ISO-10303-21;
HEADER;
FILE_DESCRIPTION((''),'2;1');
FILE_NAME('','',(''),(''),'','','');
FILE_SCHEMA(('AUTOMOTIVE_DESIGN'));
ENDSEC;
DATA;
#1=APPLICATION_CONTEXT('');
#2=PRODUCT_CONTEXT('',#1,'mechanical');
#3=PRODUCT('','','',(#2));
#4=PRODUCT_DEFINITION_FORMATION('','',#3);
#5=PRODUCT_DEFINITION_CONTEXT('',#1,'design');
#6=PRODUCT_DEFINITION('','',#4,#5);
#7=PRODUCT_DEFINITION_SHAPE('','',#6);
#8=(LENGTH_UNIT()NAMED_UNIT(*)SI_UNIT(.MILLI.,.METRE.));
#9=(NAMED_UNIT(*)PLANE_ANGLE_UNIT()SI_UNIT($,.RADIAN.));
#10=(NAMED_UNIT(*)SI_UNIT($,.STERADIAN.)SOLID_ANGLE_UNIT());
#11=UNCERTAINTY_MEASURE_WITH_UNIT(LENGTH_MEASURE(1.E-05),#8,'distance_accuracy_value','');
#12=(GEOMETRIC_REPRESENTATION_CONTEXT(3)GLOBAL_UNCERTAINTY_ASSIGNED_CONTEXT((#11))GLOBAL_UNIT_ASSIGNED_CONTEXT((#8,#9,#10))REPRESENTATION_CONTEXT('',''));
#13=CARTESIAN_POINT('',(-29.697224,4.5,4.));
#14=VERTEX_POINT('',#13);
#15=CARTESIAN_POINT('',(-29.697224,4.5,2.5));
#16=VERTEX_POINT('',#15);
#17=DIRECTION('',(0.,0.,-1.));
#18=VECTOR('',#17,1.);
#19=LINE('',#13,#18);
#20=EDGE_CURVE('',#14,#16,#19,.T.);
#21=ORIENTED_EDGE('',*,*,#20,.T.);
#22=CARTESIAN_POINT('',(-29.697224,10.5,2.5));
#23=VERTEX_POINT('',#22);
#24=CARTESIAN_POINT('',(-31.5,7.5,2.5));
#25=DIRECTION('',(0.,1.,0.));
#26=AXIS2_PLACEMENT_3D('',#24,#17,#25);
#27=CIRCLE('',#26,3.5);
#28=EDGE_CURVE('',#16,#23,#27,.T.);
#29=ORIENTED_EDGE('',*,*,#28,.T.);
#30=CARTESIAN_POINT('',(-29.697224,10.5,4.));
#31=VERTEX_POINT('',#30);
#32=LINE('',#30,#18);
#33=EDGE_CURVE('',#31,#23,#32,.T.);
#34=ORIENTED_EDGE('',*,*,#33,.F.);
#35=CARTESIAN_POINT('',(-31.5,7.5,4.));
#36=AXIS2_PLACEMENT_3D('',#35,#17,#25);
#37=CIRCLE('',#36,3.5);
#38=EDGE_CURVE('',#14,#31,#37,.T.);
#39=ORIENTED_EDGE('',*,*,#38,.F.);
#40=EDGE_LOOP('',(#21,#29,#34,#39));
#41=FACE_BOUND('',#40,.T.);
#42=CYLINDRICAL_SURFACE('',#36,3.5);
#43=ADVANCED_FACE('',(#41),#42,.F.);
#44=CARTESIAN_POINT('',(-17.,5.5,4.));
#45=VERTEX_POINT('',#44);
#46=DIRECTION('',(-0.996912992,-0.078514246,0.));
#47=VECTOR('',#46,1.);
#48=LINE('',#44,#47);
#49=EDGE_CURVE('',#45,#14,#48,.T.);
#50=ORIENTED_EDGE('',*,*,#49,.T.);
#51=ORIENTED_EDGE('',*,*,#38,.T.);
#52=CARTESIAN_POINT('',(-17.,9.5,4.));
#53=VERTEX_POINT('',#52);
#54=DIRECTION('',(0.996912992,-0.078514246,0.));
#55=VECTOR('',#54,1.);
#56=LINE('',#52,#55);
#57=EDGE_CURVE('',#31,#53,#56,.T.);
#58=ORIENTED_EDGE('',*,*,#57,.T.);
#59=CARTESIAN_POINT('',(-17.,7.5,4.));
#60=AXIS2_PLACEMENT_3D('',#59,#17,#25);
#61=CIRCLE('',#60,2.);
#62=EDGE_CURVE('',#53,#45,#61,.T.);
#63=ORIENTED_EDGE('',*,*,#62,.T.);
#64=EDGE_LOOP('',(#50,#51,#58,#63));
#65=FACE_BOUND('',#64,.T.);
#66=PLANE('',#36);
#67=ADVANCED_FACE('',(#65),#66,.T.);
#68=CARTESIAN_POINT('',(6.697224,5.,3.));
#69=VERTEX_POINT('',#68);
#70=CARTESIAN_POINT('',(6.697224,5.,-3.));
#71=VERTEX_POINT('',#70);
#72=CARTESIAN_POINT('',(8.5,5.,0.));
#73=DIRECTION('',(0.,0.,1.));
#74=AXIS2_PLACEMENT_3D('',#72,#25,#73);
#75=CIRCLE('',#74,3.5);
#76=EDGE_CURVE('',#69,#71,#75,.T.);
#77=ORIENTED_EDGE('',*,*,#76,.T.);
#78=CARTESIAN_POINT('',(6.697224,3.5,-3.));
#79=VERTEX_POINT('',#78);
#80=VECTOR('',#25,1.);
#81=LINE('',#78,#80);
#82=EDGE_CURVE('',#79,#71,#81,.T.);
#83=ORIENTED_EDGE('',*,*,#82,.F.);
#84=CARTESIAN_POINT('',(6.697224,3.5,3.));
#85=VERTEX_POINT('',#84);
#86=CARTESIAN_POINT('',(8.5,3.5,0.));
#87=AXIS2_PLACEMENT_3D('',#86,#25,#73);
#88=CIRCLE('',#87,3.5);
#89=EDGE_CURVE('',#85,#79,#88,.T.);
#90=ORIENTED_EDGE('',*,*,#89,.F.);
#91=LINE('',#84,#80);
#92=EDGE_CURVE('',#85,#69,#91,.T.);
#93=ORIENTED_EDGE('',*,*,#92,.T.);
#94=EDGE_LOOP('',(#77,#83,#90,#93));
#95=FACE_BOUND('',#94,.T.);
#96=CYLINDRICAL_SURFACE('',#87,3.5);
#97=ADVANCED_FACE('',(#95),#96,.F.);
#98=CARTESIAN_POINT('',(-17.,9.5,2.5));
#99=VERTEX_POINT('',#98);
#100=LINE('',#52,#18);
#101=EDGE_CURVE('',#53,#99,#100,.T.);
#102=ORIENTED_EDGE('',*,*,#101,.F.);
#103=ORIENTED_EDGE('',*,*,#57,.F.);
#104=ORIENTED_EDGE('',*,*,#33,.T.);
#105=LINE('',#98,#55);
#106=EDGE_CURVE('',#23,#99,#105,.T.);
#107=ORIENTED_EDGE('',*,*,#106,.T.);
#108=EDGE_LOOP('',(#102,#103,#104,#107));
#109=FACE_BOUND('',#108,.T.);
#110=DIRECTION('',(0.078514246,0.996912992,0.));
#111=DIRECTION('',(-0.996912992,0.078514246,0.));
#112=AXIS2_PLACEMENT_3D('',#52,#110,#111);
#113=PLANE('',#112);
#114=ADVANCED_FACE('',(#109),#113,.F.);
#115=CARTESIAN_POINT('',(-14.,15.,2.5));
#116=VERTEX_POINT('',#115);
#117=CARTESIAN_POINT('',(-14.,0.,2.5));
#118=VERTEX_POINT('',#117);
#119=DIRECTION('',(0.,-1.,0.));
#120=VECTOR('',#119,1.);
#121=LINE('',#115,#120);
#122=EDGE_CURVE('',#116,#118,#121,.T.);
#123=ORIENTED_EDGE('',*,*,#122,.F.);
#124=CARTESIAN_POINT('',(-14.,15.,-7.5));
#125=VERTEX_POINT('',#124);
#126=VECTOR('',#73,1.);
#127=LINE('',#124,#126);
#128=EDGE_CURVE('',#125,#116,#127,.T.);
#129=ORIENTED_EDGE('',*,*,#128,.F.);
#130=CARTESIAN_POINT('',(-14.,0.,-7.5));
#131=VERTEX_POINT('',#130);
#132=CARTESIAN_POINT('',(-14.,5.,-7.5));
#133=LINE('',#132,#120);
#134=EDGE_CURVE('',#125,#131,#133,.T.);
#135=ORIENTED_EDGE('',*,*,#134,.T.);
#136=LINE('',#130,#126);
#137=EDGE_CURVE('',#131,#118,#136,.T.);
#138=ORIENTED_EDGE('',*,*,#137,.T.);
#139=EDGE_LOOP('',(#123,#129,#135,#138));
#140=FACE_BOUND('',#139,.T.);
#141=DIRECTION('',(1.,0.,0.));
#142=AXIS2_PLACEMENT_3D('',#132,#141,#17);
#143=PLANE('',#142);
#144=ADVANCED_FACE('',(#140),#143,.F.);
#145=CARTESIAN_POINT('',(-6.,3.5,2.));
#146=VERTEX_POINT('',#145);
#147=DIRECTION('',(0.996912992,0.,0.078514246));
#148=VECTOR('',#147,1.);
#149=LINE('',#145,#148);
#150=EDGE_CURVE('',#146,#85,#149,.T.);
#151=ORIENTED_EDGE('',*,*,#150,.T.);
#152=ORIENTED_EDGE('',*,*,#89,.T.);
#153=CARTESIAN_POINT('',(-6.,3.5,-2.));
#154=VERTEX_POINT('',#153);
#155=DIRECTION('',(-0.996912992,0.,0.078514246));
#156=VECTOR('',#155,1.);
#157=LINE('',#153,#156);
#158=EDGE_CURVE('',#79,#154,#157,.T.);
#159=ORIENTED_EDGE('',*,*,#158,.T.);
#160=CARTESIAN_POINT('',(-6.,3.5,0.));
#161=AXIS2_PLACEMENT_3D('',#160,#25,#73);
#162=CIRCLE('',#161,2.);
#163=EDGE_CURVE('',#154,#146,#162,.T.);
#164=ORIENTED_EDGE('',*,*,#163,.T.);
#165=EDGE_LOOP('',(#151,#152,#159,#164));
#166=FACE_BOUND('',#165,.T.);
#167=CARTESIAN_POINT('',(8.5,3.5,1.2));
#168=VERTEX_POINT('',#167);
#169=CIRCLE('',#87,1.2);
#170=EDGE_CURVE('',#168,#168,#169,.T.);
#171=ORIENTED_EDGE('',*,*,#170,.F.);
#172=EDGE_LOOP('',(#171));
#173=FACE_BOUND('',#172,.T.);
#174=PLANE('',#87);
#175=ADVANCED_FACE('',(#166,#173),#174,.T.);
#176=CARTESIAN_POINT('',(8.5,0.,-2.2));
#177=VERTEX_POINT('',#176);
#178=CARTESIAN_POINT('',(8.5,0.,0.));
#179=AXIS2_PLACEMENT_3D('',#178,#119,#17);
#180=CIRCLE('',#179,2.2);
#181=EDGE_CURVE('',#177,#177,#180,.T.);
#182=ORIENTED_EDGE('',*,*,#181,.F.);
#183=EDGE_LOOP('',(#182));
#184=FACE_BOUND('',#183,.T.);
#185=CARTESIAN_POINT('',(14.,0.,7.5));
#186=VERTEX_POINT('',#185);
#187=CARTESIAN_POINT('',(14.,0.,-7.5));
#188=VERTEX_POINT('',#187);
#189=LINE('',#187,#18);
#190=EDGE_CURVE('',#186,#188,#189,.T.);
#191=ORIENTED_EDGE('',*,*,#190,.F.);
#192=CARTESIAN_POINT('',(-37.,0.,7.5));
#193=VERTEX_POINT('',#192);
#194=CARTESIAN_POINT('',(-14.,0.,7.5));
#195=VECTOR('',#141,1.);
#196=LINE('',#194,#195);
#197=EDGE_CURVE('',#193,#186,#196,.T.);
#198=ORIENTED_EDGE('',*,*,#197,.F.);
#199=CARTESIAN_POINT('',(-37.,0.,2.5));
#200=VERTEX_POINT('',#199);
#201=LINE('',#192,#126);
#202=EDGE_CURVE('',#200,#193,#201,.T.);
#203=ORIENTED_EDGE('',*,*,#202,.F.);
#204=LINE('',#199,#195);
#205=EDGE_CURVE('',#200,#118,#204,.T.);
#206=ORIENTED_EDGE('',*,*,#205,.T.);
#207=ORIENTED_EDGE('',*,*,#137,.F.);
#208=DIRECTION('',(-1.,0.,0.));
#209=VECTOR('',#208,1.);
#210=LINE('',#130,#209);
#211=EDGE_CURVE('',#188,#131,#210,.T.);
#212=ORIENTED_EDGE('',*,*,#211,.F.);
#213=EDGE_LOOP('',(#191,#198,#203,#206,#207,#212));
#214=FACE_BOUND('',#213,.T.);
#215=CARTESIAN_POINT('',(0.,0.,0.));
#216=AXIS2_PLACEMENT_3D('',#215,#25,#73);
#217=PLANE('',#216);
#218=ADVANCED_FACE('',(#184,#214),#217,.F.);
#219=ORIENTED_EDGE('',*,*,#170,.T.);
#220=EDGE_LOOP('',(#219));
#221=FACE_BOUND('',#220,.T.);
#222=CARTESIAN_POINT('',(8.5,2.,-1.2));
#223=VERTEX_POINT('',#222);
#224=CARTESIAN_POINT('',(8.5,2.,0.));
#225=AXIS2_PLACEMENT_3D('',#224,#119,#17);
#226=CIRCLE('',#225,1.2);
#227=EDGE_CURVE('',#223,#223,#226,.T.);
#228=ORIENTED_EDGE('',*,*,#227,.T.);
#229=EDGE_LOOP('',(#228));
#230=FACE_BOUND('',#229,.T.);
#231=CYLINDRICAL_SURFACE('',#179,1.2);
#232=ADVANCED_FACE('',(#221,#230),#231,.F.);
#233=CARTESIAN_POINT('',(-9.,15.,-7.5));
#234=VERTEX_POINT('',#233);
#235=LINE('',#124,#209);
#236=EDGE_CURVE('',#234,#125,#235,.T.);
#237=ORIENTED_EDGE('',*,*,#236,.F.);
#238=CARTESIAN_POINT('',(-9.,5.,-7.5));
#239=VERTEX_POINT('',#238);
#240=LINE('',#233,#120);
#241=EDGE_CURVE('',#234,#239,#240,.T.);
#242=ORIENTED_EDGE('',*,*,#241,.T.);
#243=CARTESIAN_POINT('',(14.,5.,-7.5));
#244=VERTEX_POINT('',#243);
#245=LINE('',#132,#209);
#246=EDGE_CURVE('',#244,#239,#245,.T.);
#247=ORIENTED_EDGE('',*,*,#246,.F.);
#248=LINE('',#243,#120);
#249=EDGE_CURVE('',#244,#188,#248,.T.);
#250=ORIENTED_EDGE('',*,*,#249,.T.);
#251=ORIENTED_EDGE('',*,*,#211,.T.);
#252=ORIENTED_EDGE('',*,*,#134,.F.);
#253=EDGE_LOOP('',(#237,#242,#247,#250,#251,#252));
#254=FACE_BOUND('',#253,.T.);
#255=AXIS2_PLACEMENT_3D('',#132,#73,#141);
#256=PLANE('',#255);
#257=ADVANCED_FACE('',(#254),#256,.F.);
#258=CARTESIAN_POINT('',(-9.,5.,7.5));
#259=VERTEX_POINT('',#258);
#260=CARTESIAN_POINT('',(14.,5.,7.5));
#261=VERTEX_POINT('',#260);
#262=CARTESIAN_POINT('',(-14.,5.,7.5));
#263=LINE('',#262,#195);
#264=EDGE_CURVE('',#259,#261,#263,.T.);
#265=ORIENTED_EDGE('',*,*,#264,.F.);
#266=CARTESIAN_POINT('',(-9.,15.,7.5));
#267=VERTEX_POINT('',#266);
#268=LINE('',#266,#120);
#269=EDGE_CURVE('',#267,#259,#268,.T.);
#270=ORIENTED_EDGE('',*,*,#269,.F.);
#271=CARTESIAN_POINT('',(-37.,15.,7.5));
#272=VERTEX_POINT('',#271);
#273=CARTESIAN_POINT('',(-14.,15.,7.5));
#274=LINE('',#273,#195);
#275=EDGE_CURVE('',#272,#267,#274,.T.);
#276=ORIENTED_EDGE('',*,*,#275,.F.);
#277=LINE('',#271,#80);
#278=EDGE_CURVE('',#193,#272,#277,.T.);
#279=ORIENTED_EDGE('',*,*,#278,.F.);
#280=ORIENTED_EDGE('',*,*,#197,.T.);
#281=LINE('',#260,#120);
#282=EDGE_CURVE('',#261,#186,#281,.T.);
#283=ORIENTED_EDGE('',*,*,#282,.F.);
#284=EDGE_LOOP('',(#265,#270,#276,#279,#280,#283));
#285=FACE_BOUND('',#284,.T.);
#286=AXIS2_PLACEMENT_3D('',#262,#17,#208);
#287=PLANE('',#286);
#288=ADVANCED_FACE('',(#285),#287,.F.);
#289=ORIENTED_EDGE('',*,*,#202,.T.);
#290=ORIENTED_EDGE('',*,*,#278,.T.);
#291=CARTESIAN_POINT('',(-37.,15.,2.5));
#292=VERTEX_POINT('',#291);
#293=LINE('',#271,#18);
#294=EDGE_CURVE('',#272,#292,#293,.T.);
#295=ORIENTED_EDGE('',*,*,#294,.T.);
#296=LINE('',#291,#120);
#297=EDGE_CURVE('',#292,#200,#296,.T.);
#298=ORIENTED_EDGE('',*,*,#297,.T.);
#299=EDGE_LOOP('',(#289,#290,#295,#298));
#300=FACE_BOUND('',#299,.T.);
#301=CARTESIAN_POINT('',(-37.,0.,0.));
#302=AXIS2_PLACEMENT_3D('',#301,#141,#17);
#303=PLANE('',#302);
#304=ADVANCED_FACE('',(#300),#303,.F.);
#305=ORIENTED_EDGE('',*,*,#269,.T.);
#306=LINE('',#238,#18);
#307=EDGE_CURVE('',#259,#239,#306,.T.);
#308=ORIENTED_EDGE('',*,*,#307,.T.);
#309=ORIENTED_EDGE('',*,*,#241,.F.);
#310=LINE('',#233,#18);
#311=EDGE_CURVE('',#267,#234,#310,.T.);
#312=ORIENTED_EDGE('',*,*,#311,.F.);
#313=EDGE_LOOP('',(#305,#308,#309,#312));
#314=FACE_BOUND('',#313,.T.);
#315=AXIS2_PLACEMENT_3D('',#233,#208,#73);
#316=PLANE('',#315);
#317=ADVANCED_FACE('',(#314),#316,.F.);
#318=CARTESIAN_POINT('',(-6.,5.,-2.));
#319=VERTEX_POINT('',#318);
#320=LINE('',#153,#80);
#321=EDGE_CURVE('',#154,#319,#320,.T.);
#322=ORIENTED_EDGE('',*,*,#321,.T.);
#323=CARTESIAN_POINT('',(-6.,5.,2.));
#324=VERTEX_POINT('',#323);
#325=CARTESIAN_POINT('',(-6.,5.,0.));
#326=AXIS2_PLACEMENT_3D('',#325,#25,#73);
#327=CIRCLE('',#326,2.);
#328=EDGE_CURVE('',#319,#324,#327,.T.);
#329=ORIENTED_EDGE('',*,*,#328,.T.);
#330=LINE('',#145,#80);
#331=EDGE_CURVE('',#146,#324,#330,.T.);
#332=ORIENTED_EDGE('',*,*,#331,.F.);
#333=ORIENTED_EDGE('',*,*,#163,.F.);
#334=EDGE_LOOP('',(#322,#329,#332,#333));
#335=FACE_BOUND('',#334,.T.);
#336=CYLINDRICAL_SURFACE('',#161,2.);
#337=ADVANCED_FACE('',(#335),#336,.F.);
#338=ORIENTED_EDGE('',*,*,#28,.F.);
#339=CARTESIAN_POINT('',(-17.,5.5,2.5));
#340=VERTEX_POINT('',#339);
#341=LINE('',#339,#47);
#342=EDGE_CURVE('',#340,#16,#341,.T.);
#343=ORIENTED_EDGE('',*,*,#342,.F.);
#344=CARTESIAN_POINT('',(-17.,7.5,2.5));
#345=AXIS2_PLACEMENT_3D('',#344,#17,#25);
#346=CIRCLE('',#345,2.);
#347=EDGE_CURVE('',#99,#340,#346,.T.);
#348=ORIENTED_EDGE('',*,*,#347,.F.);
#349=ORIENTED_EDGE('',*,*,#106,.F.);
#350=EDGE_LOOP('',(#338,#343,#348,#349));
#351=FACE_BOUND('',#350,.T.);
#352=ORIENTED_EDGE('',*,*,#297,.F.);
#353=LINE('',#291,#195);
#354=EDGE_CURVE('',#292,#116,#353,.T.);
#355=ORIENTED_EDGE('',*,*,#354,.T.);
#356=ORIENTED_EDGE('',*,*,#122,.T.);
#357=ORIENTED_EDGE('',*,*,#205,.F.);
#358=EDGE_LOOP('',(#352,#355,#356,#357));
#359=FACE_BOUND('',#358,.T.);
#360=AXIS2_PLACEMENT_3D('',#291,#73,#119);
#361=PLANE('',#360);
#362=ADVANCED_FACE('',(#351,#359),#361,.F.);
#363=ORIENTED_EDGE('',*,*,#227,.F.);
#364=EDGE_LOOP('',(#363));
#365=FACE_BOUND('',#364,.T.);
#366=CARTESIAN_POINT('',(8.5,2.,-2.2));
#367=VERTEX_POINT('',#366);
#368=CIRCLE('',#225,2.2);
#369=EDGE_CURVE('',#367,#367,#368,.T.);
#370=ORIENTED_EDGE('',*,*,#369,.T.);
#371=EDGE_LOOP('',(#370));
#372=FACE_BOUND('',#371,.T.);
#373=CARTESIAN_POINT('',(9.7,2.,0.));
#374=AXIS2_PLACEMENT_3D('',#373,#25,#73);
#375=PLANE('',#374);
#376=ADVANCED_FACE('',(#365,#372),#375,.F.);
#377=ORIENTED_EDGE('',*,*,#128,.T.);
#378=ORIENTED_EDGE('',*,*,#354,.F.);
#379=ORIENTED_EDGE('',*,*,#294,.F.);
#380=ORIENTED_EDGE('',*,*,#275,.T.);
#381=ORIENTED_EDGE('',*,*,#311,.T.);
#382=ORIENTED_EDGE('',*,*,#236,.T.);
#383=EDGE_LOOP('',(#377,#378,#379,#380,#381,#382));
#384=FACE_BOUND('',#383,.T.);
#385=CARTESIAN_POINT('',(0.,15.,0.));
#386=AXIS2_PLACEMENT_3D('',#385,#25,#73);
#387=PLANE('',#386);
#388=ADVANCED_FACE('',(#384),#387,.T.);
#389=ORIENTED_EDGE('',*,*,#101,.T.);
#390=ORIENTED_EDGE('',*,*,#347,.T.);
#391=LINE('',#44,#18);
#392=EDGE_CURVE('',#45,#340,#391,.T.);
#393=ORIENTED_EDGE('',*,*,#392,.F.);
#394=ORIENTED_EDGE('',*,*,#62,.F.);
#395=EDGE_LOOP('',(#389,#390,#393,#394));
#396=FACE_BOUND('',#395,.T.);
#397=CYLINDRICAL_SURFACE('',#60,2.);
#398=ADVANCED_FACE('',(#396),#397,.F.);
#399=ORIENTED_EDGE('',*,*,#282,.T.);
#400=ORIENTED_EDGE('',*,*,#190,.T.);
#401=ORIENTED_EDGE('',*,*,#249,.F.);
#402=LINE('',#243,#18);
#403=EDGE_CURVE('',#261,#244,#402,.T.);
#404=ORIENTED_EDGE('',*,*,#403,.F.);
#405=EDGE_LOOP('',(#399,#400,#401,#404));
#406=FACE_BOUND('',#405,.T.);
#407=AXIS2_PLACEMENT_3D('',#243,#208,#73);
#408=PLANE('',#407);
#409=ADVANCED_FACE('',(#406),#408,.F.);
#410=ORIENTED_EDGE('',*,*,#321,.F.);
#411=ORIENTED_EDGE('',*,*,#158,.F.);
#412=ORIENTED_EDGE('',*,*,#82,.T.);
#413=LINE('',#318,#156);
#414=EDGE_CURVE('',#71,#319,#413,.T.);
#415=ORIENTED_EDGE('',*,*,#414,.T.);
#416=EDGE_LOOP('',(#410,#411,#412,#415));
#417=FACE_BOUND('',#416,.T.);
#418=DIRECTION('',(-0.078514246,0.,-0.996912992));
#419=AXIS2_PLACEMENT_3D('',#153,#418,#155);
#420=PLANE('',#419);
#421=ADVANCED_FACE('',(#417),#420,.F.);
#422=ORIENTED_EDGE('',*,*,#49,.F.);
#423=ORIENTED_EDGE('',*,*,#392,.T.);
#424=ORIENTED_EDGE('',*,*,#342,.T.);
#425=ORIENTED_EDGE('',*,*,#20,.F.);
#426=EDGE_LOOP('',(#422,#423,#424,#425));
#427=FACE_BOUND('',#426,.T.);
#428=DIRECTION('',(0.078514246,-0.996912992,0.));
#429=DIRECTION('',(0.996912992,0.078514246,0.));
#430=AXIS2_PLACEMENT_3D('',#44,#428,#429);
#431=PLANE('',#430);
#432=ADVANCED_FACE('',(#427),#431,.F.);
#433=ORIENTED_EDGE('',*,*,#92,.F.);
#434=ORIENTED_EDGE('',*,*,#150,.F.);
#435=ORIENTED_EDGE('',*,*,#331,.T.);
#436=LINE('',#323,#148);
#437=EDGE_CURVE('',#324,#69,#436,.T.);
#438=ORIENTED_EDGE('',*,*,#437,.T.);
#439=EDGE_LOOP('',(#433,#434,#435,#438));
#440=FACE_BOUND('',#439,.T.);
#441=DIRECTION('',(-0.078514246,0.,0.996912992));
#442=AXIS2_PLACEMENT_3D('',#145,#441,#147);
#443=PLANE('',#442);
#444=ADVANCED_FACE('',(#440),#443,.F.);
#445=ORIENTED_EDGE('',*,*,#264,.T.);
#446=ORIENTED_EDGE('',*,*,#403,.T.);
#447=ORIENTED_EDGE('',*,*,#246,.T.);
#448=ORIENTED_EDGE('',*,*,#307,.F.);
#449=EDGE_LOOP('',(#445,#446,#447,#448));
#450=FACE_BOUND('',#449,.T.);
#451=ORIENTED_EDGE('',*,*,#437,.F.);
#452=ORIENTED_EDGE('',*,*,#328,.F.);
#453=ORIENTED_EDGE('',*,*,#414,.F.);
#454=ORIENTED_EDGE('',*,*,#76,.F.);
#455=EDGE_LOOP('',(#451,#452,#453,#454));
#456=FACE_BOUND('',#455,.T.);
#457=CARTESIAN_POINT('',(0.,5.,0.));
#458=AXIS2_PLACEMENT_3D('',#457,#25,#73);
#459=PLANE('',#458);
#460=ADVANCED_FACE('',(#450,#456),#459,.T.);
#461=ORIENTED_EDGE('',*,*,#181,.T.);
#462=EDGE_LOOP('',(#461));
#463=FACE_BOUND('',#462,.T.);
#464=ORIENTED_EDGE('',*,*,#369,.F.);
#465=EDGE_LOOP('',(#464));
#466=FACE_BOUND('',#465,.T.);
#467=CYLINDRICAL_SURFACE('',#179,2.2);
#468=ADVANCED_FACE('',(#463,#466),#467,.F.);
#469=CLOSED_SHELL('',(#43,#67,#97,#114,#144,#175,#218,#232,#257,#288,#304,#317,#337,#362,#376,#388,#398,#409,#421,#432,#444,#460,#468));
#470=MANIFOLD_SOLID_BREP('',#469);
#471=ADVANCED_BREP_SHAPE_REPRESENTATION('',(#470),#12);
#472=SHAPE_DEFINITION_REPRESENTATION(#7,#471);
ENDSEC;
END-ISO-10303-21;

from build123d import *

# Parameters (mm, degrees)
SKETCH_1_W                   = 28
SKETCH_1_H                   = 15
EXTRUDE_1_DEPTH              = 5
SKETCH_2_W                   = 5
SKETCH_2_H                   = 15
EXTRUDE_2_DEPTH              = 10
SKETCH_3_W                   = 5
SKETCH_3_H                   = 15
EXTRUDE_3_DEPTH              = 23
CUT_EXTRUDE_1_DEPTH          = 1.5
HOLE_WIZARD_M2_1_D           = 2.4
HOLE_WIZARD_M2_1_CBORE_D     = 4.4
HOLE_WIZARD_M2_1_CBORE_DEPTH = 2
CUT_EXTRUDE_2_DEPTH          = 1.5


with BuildPart() as part:
    # 草图1 → 凸台-拉伸1 (new body)
    with BuildSketch(Plane(origin=(0, 0, 0), x_dir=(1, 0, 0), z_dir=(0, 1, 0))):
        Rectangle(SKETCH_1_W, SKETCH_1_H)
    extrude(amount=EXTRUDE_1_DEPTH)

    # 草图2 → 凸台-拉伸2 (add)
    with BuildSketch(Plane(origin=(0, 5, 0), x_dir=(1, 0, 0), z_dir=(0, 1, 0))):
        with Locations((-11.5, 0)):
            Rectangle(SKETCH_2_W, SKETCH_2_H)
    extrude(amount=EXTRUDE_2_DEPTH)

    # 草图3 → 凸台-拉伸3 (add)
    with BuildSketch(Plane.ZY.offset(14)):
        with Locations((5, 7.5)):
            Rectangle(SKETCH_3_W, SKETCH_3_H)
    extrude(amount=EXTRUDE_3_DEPTH)

    # 草图4 → 切除-拉伸1 (cut)
    with BuildSketch(Plane(origin=(0, 5, 0), x_dir=(1, 0, 0), z_dir=(0, 1, 0))):
        with BuildLine():
            Line((-6, 2), (6.697224362, 3))
            ThreePointArc((6.697224362, 3), (12, 0), (6.697224362, -3))
            Line((6.697224362, -3), (-6, -2))
            ThreePointArc((-6, -2), (-8, 0), (-6, 2))
        make_face()
    extrude(amount=-CUT_EXTRUDE_1_DEPTH, mode=Mode.SUBTRACT)

    # M2 凹头盖螺钉的柱形沉头孔1 (through all)
    with Locations(Plane(origin=(8.5, 0, 0), x_dir=(0, 0, -1), z_dir=(0, -1, 0))):
        with Locations((0, 0)):
            CounterBoreHole(HOLE_WIZARD_M2_1_D / 2, HOLE_WIZARD_M2_1_CBORE_D / 2, HOLE_WIZARD_M2_1_CBORE_DEPTH)

    # 草图7 → 切除-拉伸2 (cut)
    with BuildSketch(Plane(origin=(0, 0, 2.5), x_dir=(-1, 0, 0), z_dir=(0, 0, -1))):
        with BuildLine():
            Line((17, 9.5), (29.697224362, 10.5))
            ThreePointArc((29.697224362, 10.5), (35, 7.5), (29.697224362, 4.5))
            Line((29.697224362, 4.5), (17, 5.5))
            ThreePointArc((17, 5.5), (15, 7.5), (17, 9.5))
        make_face()
    extrude(amount=-CUT_EXTRUDE_2_DEPTH, mode=Mode.SUBTRACT)


solid = part.part
